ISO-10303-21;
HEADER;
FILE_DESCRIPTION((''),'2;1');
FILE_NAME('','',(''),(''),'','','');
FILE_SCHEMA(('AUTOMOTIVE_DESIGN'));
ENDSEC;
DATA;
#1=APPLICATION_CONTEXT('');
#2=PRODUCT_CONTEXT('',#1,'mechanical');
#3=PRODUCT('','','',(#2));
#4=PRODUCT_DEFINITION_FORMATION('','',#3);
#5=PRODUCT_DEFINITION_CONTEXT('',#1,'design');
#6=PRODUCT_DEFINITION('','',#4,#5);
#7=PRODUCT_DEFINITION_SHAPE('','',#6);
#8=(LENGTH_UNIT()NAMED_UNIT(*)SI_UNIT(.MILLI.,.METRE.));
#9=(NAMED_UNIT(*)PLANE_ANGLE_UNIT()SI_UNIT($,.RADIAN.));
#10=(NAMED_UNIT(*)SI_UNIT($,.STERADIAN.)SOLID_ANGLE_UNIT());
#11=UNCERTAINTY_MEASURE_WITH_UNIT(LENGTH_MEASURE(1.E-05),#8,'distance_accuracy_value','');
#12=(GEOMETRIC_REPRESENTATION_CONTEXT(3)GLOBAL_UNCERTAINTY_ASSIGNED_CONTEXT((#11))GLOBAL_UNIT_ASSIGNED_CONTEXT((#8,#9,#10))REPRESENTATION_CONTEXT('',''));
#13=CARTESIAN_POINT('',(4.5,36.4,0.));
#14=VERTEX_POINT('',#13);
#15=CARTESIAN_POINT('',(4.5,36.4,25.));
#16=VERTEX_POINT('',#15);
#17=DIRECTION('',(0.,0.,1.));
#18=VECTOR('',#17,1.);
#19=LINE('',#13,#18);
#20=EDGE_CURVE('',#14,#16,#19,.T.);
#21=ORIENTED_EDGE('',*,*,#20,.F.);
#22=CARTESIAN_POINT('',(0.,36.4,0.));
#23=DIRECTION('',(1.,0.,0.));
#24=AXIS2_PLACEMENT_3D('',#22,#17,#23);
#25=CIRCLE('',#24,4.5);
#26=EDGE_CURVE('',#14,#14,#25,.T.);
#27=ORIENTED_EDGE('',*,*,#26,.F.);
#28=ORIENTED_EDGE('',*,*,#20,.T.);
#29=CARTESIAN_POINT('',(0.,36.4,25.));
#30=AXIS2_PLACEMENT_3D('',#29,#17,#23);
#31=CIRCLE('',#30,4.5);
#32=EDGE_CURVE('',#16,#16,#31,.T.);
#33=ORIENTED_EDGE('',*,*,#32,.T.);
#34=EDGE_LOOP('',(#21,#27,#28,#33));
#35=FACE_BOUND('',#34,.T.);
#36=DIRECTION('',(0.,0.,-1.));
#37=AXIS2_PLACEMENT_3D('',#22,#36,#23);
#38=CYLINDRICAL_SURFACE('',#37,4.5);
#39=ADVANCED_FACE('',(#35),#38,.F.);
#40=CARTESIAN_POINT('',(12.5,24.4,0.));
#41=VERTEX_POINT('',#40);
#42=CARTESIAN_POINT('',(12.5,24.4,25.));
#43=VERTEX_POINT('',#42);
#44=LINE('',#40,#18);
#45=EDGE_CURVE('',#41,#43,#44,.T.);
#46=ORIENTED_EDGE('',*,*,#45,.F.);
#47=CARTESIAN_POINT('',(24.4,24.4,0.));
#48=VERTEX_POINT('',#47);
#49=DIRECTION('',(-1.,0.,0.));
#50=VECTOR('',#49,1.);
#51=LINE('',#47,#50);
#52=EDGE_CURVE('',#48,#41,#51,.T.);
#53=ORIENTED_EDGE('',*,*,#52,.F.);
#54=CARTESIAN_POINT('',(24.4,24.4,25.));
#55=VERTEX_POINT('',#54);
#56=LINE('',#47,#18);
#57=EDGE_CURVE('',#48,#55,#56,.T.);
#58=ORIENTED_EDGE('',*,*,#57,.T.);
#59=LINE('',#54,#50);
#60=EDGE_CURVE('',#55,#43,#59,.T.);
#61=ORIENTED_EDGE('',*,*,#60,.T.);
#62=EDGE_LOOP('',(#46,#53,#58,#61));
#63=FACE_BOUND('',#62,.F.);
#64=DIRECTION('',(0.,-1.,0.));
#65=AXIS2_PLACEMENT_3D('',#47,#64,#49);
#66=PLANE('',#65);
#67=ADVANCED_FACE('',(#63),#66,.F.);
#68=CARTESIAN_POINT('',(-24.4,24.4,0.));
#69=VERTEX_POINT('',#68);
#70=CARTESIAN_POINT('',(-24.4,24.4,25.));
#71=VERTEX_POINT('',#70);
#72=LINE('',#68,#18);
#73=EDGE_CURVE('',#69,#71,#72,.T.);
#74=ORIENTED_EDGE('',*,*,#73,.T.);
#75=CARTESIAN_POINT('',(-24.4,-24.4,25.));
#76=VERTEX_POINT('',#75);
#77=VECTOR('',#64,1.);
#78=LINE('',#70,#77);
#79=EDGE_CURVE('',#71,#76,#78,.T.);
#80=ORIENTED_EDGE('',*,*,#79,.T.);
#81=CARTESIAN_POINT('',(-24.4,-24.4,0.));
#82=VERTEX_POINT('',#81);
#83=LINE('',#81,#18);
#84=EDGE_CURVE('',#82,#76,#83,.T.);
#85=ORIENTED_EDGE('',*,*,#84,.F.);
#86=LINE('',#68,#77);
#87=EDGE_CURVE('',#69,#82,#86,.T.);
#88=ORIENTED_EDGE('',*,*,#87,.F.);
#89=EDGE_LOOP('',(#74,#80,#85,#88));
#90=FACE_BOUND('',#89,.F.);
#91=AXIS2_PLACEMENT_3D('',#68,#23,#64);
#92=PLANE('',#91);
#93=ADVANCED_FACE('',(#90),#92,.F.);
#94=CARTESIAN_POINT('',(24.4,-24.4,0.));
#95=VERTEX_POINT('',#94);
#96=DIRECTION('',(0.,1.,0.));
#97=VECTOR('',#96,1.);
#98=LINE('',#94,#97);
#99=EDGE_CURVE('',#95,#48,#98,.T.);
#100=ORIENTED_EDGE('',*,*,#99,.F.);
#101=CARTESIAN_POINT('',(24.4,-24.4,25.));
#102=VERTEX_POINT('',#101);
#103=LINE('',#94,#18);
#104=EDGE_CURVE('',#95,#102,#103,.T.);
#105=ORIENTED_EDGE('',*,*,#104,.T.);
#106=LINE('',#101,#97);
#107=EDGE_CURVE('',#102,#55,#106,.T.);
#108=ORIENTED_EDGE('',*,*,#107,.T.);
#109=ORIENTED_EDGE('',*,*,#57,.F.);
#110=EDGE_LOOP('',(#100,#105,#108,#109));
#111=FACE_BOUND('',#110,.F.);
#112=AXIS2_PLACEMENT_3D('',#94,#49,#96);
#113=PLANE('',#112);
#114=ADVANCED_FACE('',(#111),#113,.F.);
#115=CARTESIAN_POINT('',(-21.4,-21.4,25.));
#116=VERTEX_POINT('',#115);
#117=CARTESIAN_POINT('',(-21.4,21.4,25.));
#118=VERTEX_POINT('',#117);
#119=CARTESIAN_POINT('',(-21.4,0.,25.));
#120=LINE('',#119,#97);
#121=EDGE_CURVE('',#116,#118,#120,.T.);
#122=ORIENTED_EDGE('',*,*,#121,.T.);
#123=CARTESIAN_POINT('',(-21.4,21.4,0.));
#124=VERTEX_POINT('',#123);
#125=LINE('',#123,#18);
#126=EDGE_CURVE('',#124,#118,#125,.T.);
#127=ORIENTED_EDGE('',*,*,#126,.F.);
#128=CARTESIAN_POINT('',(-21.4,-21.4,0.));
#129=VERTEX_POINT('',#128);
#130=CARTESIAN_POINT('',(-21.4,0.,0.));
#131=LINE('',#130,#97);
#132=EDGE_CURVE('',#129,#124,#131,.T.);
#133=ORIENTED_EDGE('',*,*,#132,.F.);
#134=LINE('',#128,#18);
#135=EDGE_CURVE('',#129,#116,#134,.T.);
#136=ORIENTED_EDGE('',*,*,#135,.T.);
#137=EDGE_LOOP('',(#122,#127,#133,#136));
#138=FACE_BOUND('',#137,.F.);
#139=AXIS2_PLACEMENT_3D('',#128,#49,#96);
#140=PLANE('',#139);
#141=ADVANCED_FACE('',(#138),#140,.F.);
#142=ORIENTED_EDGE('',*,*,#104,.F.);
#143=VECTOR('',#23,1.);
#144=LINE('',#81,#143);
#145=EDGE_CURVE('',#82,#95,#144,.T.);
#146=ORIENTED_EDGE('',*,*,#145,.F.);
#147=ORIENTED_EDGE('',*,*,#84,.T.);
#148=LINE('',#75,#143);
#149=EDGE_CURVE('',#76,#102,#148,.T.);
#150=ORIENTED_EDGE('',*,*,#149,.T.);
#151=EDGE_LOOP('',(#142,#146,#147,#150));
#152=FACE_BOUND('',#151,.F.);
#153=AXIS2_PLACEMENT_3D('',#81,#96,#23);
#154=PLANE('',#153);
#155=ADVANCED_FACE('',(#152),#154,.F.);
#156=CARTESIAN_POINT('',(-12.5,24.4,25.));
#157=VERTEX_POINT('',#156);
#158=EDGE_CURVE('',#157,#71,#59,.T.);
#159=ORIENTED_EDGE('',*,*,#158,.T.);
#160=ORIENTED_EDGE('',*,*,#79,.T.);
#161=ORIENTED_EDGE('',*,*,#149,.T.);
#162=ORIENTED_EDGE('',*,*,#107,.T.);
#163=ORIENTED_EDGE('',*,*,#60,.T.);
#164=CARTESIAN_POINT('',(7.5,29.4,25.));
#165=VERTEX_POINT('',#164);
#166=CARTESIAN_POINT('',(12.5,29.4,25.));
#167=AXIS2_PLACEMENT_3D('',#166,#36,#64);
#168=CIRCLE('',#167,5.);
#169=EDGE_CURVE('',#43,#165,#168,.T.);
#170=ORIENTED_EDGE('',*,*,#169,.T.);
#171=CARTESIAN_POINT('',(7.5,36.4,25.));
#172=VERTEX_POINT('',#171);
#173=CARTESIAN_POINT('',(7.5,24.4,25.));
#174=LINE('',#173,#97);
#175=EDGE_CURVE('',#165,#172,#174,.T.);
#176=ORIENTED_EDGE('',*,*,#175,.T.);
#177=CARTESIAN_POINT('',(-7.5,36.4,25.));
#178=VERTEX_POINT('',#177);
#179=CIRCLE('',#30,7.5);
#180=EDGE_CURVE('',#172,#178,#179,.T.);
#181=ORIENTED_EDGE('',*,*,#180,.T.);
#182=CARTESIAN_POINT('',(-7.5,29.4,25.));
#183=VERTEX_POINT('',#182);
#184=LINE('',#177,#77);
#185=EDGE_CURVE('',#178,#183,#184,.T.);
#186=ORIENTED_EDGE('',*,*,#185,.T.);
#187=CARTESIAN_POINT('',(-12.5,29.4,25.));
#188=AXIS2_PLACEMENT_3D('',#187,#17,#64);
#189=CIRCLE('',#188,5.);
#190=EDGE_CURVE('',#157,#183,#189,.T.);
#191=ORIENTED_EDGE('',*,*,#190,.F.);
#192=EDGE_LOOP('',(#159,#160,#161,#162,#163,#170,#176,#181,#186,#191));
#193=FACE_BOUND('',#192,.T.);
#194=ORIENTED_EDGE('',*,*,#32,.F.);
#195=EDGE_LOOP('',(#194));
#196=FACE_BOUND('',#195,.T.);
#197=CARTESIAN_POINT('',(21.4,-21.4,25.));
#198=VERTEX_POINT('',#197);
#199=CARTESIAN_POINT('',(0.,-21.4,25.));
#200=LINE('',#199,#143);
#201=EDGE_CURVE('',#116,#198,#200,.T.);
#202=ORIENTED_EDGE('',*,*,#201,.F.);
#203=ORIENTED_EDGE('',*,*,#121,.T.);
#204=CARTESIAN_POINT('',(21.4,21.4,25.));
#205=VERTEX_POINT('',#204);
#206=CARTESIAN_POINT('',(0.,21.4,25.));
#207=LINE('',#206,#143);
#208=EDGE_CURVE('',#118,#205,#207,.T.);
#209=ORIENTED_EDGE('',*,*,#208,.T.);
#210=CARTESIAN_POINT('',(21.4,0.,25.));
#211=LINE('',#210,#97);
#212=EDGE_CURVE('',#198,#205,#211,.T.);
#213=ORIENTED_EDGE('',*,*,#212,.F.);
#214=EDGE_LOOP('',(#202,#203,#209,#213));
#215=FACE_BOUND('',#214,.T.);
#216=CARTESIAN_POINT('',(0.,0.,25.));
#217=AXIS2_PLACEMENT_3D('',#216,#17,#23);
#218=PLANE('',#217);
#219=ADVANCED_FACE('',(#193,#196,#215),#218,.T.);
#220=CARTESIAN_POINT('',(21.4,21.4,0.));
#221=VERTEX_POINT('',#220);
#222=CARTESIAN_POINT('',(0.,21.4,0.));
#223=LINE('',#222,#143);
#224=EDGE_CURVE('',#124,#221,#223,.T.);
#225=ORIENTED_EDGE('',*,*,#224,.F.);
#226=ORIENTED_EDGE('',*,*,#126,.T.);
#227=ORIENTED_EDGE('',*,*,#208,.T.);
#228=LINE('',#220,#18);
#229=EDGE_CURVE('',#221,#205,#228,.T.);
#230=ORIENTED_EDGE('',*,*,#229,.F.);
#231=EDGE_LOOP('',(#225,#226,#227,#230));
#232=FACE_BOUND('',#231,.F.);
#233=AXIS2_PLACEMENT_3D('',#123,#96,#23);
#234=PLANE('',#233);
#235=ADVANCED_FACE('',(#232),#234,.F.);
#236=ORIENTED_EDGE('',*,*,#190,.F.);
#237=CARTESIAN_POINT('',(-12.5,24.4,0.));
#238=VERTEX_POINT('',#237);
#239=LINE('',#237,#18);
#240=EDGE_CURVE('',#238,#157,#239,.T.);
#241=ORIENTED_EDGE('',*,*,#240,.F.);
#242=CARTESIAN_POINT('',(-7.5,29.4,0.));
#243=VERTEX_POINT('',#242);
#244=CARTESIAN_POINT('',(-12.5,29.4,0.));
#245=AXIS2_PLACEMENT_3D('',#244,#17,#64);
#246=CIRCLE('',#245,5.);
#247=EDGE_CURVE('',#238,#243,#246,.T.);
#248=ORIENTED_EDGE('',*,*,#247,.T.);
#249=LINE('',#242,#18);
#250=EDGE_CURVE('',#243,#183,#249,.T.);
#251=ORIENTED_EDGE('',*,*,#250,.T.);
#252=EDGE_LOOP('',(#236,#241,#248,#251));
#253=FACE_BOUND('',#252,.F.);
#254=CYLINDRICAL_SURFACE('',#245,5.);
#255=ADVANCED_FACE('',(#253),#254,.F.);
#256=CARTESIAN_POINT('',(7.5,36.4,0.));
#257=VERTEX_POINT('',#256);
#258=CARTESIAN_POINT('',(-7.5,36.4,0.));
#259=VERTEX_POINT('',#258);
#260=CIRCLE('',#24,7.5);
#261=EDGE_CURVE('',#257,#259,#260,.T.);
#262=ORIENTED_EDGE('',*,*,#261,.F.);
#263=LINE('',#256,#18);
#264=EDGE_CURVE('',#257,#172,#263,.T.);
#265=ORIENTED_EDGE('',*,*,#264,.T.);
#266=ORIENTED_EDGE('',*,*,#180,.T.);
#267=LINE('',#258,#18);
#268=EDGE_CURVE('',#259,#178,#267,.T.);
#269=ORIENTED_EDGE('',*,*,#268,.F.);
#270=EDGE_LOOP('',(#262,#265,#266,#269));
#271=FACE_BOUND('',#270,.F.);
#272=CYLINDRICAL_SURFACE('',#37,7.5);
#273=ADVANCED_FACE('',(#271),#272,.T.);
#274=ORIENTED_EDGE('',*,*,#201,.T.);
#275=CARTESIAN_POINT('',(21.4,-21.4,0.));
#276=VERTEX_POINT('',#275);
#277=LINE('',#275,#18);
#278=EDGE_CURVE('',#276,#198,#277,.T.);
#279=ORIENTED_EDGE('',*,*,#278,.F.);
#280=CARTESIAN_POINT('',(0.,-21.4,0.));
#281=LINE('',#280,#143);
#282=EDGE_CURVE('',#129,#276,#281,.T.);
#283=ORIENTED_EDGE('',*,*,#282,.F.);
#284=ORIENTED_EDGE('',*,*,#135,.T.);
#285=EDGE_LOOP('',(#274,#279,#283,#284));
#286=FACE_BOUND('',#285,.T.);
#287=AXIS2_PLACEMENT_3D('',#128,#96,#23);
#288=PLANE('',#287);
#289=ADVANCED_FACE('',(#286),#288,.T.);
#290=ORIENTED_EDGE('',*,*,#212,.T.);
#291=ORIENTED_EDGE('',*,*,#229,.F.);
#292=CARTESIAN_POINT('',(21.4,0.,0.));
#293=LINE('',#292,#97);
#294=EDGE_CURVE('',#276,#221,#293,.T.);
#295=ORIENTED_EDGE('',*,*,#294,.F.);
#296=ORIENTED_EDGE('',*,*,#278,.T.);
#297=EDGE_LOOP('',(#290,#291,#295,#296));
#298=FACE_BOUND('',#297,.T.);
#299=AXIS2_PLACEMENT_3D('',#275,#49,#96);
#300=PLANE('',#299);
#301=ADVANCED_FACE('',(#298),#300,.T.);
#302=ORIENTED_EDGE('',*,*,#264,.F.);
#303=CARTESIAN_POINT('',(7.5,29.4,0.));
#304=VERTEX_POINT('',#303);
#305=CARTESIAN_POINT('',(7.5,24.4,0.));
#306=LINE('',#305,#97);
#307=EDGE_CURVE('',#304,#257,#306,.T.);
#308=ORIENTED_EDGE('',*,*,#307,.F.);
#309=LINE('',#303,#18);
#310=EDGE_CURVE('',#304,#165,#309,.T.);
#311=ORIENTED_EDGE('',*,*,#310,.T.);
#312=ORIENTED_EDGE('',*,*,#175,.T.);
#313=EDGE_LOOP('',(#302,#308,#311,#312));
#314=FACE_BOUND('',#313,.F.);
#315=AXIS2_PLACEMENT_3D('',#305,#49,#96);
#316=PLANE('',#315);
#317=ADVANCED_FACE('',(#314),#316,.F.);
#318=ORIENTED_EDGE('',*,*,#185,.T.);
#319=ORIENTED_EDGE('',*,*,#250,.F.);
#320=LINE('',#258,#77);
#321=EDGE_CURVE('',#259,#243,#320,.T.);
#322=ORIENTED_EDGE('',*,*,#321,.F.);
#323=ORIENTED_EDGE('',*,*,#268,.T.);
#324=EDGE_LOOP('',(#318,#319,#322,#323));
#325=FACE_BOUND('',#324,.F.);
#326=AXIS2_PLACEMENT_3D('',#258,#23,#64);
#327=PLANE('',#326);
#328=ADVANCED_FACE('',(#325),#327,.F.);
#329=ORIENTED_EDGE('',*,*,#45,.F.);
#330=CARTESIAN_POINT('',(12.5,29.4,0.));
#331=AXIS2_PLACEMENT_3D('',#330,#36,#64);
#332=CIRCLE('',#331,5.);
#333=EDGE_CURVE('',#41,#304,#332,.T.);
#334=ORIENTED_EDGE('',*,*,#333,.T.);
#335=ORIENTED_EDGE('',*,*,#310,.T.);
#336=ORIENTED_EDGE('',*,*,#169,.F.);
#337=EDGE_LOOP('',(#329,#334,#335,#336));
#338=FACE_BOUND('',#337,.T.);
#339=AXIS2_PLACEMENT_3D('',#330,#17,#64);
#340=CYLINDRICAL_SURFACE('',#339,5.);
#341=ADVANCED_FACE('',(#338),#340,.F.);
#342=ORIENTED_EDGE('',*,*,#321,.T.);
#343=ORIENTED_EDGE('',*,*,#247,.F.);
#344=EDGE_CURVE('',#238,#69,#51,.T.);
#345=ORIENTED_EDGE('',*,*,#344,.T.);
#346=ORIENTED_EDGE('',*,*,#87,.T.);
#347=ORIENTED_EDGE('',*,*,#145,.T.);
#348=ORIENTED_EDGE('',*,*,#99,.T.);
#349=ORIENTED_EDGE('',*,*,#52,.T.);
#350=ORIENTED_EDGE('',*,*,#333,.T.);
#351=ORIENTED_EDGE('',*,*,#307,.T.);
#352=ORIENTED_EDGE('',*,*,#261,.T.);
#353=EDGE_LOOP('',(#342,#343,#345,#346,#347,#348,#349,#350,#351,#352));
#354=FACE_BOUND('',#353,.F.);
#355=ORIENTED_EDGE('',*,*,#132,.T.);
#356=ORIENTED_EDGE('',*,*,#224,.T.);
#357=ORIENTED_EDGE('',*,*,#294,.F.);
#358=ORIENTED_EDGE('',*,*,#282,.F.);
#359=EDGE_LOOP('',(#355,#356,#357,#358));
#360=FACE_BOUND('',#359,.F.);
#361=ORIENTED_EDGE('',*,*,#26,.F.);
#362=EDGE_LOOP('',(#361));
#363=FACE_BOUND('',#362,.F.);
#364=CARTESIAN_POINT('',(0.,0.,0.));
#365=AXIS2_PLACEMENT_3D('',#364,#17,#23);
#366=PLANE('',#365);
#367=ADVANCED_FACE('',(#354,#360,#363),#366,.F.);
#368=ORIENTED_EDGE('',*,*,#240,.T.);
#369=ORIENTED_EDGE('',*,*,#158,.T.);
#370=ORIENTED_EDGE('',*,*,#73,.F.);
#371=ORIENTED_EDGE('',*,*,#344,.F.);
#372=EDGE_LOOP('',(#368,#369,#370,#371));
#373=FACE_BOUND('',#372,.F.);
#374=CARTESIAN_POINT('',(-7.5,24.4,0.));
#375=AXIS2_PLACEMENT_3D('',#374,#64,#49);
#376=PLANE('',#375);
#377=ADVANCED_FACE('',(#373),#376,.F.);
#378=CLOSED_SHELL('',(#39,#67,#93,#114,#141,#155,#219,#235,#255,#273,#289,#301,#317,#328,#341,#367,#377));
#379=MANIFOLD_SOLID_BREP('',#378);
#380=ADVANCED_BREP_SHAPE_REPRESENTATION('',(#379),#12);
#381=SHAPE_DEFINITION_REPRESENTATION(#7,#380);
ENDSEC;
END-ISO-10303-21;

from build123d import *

# Parameters (mm, degrees)
F0_W     = 42.8
F0_H     = 42.8
F0_R     = 4.5
F1_DEPTH = 25
F2_R     = 5


with BuildPart() as f1:
    # F0 (on Top) → F1 (new body)
    with BuildSketch(Plane.XY):
        Polygon((24.4, -24.4), (24.4, 24.4), (7.5, 24.4), (-7.5, 24.4), (-24.4, 24.4), (-24.4, -24.4), align=None)
        Rectangle(F0_W, F0_H, mode=Mode.SUBTRACT)
        with BuildLine():
            Line((-7.5, 24.4), (7.5, 24.4))
            Line((7.5, 24.4), (7.5, 36.4))
            ThreePointArc((7.5, 36.4), (0, 28.9), (-7.5, 36.4))
            Line((-7.5, 36.4), (-7.5, 24.4))
        make_face()
        with BuildLine():
            ThreePointArc((-7.5, 36.4), (0, 28.9), (7.5, 36.4))
            ThreePointArc((7.5, 36.4), (0, 43.9), (-7.5, 36.4))
        make_face()
        with Locations((0, 36.4)):
            Circle(F0_R, mode=Mode.SUBTRACT)
    extrude(amount=F1_DEPTH)

    # F2
    f2_edges = [f1.edges().sort_by_distance(p)[0] for p in [
        (7.5, 24.4, 12.5),
        (-7.5, 24.4, 12.5),
    ]]
    fillet(f2_edges, radius=F2_R)


solid = f1.part
